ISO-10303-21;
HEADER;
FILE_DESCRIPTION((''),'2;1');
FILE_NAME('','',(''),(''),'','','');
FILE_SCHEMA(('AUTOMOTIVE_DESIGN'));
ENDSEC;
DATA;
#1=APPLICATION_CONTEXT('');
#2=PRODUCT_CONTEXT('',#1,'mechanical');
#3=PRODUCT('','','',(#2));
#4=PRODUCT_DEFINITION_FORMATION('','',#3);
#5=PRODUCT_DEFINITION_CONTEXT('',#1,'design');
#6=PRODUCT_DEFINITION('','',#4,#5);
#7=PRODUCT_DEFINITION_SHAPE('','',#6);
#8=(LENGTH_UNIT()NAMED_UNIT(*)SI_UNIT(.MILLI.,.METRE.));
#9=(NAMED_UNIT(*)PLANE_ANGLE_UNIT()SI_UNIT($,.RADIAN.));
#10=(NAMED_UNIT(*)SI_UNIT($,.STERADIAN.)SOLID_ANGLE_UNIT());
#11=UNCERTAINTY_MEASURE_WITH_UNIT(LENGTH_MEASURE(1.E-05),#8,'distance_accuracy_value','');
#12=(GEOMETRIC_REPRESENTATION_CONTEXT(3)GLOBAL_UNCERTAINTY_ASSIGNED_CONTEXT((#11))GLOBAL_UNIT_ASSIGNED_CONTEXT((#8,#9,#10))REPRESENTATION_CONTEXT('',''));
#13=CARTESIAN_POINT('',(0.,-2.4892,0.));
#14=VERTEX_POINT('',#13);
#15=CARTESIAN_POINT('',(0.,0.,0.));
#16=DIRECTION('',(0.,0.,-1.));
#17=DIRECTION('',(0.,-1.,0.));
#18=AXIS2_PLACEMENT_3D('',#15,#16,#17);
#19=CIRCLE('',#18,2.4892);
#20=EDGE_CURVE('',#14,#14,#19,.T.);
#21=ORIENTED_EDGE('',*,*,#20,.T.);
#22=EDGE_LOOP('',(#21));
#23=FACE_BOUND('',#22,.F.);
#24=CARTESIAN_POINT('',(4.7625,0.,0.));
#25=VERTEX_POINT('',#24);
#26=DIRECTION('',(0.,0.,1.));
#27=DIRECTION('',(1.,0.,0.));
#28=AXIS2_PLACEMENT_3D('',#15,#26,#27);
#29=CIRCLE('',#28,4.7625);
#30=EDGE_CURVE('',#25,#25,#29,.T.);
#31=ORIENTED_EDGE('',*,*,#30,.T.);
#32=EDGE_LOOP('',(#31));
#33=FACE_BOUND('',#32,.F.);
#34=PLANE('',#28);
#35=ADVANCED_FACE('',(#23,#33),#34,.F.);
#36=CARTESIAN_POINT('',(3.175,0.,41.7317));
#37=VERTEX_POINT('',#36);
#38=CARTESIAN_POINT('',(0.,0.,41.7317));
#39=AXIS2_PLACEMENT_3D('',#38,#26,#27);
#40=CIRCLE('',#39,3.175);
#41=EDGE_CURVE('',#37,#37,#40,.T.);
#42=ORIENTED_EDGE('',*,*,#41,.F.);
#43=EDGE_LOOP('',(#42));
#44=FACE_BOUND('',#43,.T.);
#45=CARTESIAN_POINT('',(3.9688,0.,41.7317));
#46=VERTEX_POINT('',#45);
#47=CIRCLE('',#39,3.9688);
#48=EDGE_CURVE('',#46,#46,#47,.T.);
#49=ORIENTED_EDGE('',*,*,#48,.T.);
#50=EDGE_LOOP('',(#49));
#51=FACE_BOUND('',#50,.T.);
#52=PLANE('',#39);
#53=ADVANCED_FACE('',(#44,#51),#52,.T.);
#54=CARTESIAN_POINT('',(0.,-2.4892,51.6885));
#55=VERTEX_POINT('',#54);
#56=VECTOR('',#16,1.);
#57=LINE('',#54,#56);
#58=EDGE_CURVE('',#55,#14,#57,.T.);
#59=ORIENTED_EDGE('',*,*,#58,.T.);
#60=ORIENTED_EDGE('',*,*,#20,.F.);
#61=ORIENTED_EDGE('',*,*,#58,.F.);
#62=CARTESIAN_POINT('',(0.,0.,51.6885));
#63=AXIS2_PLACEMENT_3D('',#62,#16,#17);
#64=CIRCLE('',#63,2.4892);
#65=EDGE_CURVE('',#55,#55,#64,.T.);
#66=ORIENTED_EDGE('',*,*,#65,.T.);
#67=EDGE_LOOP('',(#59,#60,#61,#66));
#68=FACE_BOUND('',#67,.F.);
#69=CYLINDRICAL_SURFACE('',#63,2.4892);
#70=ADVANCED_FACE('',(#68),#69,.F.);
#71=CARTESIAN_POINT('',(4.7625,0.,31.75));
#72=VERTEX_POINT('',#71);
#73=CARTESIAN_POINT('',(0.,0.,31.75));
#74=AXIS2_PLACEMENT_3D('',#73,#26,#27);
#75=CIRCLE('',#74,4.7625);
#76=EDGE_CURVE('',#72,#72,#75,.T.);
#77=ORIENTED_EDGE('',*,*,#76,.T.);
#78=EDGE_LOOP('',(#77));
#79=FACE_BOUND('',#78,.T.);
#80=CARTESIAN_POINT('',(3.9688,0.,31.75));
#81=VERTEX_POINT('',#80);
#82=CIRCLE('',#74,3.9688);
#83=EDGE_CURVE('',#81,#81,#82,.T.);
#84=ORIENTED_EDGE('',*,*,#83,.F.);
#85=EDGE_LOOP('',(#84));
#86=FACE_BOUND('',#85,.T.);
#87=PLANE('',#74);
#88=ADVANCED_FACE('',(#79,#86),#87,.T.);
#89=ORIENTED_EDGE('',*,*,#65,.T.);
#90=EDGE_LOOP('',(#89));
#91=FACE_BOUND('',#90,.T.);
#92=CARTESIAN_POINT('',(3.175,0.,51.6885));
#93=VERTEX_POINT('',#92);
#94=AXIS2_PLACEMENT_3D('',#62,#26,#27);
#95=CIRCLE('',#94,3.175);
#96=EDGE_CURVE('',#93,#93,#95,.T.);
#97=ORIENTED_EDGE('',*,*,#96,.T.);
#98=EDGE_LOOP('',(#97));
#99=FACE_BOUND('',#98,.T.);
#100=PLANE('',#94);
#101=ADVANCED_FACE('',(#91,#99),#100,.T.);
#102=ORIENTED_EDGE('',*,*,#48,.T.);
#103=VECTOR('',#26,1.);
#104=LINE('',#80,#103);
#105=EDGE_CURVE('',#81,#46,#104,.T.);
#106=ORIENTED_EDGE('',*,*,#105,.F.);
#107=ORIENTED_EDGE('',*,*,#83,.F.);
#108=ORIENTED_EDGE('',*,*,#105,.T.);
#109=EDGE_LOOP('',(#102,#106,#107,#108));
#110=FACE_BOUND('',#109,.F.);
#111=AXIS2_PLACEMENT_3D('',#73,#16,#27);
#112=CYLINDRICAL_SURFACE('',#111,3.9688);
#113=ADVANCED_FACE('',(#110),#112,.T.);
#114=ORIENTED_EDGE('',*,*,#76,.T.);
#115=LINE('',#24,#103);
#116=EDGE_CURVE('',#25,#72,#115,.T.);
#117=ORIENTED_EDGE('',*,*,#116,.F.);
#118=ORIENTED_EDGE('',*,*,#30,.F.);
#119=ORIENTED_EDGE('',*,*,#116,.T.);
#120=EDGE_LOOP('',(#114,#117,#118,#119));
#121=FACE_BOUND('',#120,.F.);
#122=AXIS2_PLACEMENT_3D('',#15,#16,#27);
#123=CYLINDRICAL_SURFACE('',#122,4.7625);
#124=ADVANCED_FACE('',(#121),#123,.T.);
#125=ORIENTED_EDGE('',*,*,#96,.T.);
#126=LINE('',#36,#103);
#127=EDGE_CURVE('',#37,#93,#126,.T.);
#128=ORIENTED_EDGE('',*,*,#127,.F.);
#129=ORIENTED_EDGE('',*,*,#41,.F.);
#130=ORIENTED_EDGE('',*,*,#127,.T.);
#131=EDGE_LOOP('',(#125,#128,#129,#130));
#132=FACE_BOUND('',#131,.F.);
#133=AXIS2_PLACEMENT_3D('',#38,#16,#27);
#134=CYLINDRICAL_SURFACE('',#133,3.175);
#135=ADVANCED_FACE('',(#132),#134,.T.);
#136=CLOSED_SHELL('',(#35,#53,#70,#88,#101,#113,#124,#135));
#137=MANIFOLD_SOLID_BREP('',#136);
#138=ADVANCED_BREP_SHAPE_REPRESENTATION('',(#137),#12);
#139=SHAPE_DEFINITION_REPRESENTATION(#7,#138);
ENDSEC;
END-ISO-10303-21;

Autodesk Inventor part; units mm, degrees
ref_plane "YZ Plane" through (0, 0, 0) normal (1, 0, 0) x (0, 1, 0)
ref_plane "XZ Plane" through (0, 0, 0) normal (0, 1, 0) x (-1, 0, 0)
ref_plane "XY Plane" through (0, 0, 0) normal (0, 0, 1) x (1, 0, 0)
sketch "Sketch1" plane through (0, 0, 0) normal (0, 0, 1) x (1, 0, 0)
  circle A0 centre (0, 0) radius 4.7625
  dimension "d0" = 9.525
extrude "Extrusion1" add sketch "Sketch1" along normal blind 31.75
sketch "Sketch2" plane through (0, 0, 31.75) normal (0, 0, 1) x (1, 0, 0)
  circle A0 centre (0, 0) radius 4.7625 projected
  circle A1 centre (0, 0) radius 3.9688
  dimension "d4" = 7.9375
extrude "Extrusion2" add sketch "Sketch2" along normal blind 9.9817 contours A1
sketch "Sketch3" plane through (0, 0, 41.7317) normal (0, 0, 1) x (1, 0, 0)
  circle A0 centre (0, 0) radius 3.9687 projected
  circle A1 centre (0, 0) radius 3.175
  dimension "d8" = 6.35
extrude "Extrusion3" add sketch "Sketch3" along normal blind 9.9568 contours A1
sketch "Sketch4" plane through (0, 0, 51.6885) normal (0, 0, 1) x (1, 0, 0)
  circle A0 centre (0, 0) radius 3.175 projected
hole "Hole1" at (0, 0, 51.6885) direction (0, 0, -1) diameter 4.9784 end through all clearance for "Socket Head Cap Screw" size "#10" standard "Ansi Unified Screw Threads"
properties part number "Main Connecting Standoff Stepped"
